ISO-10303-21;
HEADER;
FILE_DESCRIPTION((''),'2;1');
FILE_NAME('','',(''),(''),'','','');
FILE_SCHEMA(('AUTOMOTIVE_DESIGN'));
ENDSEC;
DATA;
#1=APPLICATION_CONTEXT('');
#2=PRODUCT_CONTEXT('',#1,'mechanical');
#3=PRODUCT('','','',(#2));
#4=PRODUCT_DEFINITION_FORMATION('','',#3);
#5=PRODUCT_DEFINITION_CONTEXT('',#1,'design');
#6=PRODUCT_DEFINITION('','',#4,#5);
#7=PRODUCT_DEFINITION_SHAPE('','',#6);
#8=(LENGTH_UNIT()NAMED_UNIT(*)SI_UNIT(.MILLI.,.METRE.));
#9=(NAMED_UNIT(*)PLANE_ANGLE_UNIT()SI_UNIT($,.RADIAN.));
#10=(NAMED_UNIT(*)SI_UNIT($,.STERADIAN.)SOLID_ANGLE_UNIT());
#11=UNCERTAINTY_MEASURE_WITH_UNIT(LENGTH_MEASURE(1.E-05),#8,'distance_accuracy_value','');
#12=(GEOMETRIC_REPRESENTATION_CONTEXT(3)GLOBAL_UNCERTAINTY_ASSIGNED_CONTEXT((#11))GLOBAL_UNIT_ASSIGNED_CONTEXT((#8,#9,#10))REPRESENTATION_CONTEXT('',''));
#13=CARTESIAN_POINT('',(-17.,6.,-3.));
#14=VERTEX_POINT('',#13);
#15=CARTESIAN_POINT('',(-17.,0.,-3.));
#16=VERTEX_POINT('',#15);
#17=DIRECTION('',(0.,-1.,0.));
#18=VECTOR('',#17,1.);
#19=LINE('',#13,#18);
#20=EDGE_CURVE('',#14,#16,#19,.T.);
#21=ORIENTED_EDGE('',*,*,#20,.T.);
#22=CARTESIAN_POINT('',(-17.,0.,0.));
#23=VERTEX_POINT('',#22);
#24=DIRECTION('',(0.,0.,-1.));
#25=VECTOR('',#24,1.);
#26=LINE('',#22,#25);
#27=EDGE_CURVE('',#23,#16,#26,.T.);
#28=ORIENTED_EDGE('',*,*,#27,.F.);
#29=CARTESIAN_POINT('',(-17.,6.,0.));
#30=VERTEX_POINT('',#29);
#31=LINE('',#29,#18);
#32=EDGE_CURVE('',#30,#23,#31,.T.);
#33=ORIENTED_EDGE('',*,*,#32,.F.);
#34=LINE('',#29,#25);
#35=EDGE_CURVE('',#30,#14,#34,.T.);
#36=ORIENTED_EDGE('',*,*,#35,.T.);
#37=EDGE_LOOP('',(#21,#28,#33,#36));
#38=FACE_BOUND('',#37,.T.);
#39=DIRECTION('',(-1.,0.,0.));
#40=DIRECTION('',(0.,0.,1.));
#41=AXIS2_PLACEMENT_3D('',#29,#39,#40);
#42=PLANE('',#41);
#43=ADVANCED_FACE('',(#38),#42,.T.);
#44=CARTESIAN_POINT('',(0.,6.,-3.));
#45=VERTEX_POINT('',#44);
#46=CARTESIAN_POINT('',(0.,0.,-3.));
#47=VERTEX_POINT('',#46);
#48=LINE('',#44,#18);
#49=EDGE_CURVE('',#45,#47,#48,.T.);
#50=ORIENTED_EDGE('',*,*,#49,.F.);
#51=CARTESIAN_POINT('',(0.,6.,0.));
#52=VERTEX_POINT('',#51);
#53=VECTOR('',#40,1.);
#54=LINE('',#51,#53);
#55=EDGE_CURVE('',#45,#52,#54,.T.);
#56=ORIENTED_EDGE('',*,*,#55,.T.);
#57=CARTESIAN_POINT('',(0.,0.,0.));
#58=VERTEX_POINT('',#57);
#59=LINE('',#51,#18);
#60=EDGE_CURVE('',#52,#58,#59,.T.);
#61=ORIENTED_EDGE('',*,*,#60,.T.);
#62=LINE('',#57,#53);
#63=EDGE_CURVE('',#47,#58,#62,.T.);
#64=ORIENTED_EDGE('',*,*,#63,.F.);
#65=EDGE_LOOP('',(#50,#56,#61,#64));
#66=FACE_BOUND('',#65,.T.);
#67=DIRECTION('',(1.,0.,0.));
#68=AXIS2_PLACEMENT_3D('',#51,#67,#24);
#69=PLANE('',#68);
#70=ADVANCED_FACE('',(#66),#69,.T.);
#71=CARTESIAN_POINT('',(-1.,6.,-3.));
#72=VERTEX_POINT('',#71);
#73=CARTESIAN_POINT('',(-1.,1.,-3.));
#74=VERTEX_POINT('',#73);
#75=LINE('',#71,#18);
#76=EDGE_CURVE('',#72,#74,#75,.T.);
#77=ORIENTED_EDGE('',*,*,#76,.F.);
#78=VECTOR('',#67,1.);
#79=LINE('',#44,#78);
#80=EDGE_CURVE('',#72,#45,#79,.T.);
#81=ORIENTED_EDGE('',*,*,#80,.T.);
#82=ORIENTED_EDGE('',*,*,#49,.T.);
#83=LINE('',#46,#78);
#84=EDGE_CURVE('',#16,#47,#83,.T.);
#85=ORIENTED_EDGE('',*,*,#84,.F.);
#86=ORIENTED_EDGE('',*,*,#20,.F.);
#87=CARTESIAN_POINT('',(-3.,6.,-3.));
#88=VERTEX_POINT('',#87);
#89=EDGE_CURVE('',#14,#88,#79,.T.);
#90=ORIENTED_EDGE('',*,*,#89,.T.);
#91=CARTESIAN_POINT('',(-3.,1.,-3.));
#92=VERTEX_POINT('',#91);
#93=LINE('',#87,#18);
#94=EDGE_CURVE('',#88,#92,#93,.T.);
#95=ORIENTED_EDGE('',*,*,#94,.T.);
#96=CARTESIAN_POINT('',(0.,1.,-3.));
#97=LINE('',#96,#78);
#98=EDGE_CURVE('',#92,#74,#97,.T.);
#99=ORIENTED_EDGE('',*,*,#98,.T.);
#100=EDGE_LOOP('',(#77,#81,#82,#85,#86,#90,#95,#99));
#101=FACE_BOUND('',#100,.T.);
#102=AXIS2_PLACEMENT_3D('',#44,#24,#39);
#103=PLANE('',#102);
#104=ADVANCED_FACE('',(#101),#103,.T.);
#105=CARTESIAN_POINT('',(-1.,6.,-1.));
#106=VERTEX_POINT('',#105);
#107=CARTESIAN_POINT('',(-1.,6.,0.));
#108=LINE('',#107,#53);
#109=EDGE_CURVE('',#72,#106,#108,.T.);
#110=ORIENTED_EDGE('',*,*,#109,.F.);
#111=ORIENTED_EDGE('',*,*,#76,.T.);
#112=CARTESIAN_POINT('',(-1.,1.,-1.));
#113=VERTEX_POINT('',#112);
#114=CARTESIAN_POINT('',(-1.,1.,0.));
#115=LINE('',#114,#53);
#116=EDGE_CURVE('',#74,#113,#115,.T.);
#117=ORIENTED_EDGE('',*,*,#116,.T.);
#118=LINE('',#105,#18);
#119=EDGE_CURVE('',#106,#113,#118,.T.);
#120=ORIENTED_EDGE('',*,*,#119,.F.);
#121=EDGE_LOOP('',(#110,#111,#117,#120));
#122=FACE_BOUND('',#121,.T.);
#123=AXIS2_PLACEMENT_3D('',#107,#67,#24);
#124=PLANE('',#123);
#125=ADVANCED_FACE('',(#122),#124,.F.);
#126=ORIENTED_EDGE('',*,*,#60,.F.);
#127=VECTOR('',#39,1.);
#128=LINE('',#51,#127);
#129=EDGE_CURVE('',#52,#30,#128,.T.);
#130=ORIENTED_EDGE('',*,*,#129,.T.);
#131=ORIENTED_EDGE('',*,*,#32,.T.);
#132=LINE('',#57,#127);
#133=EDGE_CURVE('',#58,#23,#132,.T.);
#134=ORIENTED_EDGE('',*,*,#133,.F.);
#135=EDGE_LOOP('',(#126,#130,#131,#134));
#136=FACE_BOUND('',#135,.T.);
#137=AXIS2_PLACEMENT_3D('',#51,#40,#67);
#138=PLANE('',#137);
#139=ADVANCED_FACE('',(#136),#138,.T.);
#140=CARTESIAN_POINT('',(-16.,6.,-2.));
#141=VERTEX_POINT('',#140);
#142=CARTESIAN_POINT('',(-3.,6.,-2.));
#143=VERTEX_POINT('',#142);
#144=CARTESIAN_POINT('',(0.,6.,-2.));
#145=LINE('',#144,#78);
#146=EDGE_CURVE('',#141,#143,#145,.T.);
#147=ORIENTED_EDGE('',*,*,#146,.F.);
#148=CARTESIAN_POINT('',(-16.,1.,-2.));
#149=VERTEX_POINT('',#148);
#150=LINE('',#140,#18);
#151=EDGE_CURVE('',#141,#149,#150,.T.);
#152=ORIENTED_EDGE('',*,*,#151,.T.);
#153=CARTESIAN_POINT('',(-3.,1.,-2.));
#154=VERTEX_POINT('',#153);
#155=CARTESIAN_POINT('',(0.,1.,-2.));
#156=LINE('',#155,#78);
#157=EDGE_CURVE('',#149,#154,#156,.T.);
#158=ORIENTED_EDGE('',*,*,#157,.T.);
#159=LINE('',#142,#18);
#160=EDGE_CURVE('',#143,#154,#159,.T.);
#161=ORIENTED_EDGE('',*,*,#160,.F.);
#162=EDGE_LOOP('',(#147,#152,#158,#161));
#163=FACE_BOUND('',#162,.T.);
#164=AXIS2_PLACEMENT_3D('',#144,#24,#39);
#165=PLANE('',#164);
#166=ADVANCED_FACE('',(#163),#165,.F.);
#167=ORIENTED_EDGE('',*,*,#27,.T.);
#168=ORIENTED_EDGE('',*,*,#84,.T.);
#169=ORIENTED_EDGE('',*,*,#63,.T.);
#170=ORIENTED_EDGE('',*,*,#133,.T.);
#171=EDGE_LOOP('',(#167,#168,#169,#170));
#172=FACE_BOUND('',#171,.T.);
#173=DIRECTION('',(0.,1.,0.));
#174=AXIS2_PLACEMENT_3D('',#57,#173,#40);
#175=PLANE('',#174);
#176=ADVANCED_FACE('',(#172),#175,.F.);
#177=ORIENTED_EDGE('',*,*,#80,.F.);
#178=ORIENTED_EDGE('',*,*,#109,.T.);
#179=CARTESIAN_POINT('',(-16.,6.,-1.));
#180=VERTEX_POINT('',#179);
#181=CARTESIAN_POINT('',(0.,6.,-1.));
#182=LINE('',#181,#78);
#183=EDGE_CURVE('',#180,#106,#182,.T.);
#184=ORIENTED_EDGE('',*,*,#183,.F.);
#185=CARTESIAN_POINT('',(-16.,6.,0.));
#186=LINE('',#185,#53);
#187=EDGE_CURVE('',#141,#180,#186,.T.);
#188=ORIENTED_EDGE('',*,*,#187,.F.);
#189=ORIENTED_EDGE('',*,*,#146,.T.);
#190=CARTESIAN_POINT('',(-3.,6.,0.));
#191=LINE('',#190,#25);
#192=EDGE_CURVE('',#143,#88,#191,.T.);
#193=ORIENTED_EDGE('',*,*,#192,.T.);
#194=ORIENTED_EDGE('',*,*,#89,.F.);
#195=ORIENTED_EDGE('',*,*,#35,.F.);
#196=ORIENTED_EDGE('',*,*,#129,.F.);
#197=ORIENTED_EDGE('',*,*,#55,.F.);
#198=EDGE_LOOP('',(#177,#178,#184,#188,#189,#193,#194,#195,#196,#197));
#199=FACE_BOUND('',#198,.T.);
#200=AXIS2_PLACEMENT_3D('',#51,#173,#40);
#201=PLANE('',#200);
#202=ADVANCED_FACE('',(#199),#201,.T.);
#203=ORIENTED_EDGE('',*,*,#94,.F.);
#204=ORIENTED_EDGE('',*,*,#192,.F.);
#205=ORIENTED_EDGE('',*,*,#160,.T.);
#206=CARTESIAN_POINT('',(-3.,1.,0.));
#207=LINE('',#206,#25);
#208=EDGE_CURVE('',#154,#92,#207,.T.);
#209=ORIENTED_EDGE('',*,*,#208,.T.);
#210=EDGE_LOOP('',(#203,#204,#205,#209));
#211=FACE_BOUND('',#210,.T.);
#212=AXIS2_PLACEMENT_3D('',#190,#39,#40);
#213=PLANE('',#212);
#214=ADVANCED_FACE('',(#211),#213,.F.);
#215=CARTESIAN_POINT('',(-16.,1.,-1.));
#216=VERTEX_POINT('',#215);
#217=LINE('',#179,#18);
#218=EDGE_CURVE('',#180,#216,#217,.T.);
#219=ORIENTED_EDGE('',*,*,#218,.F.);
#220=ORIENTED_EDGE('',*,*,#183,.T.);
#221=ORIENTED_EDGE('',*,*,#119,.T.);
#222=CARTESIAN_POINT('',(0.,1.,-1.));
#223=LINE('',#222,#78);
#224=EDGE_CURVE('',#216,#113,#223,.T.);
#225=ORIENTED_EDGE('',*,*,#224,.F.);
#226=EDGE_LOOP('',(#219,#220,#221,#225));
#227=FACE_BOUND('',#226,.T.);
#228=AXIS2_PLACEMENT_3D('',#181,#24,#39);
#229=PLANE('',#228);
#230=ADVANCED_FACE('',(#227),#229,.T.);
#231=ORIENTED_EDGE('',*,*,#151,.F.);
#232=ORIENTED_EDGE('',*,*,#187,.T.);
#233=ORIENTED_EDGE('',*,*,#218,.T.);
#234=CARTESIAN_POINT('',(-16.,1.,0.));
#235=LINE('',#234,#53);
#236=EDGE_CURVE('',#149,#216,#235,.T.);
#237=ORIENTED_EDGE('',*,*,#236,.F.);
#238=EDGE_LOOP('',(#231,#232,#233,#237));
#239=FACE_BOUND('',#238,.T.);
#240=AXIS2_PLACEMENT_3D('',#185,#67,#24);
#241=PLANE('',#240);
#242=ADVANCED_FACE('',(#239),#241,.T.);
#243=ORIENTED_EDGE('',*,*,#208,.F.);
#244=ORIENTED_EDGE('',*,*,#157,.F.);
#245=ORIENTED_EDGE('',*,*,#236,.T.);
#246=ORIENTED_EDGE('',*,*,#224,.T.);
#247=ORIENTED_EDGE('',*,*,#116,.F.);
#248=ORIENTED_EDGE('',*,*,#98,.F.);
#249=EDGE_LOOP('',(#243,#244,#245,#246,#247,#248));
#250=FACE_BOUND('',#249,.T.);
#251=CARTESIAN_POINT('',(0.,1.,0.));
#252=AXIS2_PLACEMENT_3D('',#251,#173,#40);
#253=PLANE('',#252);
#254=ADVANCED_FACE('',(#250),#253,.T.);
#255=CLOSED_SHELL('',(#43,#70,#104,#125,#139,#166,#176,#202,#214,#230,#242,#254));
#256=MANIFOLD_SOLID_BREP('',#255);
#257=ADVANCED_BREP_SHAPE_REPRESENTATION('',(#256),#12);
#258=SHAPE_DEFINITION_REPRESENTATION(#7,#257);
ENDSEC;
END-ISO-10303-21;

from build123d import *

# Parameters (mm, degrees)
BOSS_EXTRUDE1_DEPTH = 6
BOSS_EXTRUDE2_DEPTH = 1


with BuildPart() as part:
    # Sketch1 → Boss-Extrude1 (new body)
    with BuildSketch(Plane(origin=(0, 0, 0), x_dir=(1, 0, 0), z_dir=(0, 1, 0))):
        Polygon((0, 0), (0, 3), (-1, 3), (-1, 1), (-16, 1), (-16, 2), (-3, 2), (-3, 3), (-17, 3), (-17, 0), align=None)
    extrude(amount=BOSS_EXTRUDE1_DEPTH)

    # Sketch1<3> → Boss-Extrude2 (add)
    with BuildSketch(Plane(origin=(0, 0, 0), x_dir=(1, 0, 0), z_dir=(0, 1, 0))):
        Polygon((-16, 1), (-1, 1), (-1, 3), (-3, 3), (-3, 2), (-16, 2), align=None)
    extrude(amount=BOSS_EXTRUDE2_DEPTH)


solid = part.part
